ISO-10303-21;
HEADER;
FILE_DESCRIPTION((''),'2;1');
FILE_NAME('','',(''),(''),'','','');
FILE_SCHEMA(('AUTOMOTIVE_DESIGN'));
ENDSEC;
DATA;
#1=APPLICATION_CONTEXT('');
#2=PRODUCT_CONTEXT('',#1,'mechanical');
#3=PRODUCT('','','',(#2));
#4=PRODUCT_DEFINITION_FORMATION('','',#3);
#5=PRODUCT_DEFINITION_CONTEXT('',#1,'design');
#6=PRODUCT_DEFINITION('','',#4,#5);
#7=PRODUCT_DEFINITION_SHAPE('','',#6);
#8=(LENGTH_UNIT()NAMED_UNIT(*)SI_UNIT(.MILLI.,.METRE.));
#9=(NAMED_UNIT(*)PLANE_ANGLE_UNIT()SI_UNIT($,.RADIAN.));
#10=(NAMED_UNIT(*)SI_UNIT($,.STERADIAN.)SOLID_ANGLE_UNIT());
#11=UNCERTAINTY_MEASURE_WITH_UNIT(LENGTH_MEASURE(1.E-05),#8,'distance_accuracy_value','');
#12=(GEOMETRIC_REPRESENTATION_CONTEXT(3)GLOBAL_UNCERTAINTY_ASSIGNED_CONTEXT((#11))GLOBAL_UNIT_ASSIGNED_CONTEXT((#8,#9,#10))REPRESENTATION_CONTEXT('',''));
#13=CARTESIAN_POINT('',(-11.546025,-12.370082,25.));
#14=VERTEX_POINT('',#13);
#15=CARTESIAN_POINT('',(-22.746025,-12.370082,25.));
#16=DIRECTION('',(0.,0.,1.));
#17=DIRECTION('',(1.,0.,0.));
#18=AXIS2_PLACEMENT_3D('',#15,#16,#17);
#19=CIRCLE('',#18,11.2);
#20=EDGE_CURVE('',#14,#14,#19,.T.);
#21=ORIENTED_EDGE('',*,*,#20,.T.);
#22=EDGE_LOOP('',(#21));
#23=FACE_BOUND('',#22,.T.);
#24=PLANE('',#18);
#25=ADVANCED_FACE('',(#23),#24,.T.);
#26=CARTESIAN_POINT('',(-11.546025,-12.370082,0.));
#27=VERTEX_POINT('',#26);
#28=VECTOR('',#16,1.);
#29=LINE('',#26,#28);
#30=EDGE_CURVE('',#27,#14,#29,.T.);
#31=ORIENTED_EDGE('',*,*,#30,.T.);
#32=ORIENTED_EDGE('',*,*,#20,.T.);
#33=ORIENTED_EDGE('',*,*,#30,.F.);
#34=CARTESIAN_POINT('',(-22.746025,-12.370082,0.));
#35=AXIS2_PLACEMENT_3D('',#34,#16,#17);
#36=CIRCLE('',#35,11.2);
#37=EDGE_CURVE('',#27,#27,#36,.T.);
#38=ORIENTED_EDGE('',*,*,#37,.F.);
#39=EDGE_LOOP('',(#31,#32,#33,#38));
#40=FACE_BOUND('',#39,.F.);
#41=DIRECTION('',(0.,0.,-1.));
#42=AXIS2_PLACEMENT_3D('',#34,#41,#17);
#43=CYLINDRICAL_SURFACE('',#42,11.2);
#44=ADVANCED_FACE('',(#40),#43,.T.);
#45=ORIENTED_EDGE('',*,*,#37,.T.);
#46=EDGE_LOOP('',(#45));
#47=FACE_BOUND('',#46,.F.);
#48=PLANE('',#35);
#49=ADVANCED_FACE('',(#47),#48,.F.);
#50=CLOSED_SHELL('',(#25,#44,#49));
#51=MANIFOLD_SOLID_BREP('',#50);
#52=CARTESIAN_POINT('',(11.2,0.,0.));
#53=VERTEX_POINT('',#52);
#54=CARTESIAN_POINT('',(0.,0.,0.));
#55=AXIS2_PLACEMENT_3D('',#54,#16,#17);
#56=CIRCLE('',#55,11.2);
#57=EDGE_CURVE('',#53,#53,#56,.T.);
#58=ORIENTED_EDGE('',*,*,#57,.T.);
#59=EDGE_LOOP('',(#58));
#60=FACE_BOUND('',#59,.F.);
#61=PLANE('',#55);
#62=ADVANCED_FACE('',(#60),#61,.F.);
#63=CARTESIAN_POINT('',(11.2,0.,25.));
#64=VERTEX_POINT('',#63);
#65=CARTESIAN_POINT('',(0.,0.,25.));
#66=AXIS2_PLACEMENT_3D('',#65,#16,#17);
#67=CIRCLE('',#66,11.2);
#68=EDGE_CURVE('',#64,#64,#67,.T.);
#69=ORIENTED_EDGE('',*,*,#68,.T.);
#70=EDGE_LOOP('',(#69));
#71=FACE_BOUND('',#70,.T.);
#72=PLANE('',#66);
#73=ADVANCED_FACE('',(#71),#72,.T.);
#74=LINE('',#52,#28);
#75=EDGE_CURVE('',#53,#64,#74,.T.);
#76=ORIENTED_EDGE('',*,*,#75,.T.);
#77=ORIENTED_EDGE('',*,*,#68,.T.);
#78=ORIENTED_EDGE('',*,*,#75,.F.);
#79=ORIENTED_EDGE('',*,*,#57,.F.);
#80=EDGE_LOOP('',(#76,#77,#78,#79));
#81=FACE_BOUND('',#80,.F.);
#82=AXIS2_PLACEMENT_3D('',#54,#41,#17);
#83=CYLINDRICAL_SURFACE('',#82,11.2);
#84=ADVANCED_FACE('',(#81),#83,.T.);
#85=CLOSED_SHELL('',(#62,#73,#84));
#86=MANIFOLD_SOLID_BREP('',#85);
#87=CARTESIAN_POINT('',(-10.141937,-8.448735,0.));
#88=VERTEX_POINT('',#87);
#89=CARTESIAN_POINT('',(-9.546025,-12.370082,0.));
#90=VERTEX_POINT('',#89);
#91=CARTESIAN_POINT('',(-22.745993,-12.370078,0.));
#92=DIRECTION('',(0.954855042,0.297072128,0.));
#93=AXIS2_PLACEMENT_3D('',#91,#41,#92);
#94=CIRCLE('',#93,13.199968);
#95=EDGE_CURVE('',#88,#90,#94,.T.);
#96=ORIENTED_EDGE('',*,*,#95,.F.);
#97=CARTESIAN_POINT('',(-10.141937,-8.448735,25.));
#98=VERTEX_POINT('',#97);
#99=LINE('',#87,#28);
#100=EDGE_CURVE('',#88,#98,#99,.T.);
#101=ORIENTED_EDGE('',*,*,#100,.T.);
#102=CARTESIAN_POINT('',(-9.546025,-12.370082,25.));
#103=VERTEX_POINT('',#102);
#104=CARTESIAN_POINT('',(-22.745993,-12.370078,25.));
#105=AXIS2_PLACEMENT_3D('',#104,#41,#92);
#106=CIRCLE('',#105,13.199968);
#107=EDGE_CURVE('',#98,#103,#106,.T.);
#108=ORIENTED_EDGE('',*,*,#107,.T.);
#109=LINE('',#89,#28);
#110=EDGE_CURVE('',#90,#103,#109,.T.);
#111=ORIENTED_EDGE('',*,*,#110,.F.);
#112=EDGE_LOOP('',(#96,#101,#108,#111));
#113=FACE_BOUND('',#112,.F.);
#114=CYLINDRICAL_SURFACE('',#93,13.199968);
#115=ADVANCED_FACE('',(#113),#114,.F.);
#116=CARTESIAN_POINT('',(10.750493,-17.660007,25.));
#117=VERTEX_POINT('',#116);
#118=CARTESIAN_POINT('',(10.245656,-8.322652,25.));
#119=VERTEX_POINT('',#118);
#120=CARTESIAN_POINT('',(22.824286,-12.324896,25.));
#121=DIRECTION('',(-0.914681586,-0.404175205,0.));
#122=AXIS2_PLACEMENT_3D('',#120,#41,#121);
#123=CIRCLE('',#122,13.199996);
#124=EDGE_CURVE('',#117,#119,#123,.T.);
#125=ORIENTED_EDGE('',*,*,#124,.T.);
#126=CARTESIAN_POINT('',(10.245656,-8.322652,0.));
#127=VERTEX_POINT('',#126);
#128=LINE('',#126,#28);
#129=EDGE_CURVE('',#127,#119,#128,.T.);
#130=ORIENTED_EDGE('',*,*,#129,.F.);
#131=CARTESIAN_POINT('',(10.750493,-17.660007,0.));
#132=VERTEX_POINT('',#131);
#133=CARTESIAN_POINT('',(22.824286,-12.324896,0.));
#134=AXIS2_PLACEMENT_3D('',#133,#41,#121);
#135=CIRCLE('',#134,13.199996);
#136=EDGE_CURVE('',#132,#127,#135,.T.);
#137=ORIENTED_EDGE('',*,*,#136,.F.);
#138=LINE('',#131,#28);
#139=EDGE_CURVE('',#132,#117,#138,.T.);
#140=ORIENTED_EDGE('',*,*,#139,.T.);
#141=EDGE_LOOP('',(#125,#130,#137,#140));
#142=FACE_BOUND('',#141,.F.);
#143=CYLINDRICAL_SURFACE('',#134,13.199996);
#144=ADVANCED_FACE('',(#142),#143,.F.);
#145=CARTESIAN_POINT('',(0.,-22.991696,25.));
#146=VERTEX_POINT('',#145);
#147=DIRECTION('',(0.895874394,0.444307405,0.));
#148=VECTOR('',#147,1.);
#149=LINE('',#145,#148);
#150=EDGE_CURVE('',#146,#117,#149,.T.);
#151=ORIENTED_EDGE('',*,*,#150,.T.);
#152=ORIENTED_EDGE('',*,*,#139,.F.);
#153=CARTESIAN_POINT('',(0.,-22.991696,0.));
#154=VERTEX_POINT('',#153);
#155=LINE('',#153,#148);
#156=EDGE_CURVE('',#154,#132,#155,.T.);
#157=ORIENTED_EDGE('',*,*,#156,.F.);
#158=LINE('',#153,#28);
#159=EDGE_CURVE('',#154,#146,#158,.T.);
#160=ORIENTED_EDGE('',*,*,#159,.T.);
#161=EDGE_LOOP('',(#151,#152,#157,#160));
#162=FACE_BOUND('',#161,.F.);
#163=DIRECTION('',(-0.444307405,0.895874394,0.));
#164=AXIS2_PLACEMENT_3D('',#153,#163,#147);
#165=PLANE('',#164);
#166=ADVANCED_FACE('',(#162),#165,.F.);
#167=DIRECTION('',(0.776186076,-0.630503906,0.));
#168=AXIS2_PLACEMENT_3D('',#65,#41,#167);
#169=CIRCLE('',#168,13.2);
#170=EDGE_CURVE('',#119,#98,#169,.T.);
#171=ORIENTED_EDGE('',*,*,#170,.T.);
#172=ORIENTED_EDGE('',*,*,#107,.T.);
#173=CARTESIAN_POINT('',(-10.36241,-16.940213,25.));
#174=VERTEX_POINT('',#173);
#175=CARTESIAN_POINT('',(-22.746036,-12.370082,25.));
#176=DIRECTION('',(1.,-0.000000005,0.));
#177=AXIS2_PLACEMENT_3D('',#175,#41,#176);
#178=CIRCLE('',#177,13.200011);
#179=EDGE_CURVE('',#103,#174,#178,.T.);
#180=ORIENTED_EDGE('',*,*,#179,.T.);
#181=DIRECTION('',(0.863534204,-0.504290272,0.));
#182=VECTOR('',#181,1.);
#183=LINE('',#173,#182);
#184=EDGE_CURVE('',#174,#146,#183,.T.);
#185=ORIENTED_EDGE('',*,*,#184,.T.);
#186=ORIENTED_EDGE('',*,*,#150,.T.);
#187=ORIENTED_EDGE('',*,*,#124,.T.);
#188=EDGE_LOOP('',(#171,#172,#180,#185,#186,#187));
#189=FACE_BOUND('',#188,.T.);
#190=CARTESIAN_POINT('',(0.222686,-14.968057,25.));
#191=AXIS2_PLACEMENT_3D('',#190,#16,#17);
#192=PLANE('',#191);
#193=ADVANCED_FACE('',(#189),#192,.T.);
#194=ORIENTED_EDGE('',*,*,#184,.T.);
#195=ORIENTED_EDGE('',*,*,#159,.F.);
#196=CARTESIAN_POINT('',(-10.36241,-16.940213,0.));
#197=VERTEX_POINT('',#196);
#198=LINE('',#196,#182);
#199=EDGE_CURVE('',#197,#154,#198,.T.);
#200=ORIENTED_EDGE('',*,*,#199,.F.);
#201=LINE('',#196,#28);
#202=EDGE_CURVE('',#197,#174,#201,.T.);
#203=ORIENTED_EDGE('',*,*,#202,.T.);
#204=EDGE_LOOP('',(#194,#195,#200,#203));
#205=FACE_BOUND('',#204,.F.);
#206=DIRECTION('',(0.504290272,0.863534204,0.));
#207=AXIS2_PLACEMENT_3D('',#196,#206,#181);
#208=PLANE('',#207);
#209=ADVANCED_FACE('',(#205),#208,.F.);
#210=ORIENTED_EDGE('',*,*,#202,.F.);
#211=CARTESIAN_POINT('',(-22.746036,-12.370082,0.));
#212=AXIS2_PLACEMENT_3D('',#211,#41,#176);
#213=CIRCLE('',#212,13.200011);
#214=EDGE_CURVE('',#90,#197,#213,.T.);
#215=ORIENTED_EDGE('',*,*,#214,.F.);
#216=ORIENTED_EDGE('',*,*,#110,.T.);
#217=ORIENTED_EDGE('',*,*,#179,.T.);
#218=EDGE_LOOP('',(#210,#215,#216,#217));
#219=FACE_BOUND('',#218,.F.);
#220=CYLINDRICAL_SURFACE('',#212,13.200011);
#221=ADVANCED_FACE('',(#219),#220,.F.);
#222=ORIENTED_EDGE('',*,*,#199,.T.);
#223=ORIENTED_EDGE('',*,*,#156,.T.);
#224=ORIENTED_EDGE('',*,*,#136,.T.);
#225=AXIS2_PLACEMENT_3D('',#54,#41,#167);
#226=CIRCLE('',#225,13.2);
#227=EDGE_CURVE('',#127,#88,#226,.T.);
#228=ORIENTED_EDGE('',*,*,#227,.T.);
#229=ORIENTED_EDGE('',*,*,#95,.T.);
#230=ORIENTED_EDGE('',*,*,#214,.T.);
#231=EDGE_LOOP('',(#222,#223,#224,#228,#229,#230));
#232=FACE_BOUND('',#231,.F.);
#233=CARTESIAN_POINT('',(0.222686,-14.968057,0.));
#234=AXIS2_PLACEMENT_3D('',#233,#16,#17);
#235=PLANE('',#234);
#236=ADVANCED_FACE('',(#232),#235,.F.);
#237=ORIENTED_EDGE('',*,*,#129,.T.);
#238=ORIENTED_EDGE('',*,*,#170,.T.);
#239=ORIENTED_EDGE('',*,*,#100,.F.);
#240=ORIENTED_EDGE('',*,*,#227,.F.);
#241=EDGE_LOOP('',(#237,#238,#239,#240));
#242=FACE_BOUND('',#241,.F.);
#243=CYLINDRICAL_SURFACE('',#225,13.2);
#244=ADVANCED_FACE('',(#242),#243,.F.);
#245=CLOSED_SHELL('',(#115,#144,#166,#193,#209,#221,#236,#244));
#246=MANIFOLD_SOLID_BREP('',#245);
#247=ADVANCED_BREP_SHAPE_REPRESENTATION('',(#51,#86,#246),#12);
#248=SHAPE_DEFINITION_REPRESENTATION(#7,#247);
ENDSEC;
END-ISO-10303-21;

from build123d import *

# Parameters (mm, degrees)
F0_R     = 11.2
F1_DEPTH = 25


with BuildPart() as f1:
    # F0 (on Top) → F1 (new body)
    with BuildSketch(Plane.XY):
        with Locations((-22.746025, -12.370082)):
            Circle(F0_R)
        with BuildLine():
            ThreePointArc((10.245656, -8.322652), (0.081631, -13.199748), (-10.141937, -8.448735))
            ThreePointArc((-10.141937, -8.448735), (-9.695853, -10.386898), (-9.546025, -12.370082))
            ThreePointArc((-9.546025, -12.370082), (-9.751724, -14.69132), (-10.36241, -16.940213))
            Line((-10.36241, -16.940213), (0, -22.991696))
            Line((0, -22.991696), (10.750493, -17.660007))
            ThreePointArc((10.750493, -17.660007), (9.643541, -13.037531), (10.245656, -8.322652))
        make_face()
        Circle(F0_R)
    extrude(amount=F1_DEPTH)


solid = f1.part
